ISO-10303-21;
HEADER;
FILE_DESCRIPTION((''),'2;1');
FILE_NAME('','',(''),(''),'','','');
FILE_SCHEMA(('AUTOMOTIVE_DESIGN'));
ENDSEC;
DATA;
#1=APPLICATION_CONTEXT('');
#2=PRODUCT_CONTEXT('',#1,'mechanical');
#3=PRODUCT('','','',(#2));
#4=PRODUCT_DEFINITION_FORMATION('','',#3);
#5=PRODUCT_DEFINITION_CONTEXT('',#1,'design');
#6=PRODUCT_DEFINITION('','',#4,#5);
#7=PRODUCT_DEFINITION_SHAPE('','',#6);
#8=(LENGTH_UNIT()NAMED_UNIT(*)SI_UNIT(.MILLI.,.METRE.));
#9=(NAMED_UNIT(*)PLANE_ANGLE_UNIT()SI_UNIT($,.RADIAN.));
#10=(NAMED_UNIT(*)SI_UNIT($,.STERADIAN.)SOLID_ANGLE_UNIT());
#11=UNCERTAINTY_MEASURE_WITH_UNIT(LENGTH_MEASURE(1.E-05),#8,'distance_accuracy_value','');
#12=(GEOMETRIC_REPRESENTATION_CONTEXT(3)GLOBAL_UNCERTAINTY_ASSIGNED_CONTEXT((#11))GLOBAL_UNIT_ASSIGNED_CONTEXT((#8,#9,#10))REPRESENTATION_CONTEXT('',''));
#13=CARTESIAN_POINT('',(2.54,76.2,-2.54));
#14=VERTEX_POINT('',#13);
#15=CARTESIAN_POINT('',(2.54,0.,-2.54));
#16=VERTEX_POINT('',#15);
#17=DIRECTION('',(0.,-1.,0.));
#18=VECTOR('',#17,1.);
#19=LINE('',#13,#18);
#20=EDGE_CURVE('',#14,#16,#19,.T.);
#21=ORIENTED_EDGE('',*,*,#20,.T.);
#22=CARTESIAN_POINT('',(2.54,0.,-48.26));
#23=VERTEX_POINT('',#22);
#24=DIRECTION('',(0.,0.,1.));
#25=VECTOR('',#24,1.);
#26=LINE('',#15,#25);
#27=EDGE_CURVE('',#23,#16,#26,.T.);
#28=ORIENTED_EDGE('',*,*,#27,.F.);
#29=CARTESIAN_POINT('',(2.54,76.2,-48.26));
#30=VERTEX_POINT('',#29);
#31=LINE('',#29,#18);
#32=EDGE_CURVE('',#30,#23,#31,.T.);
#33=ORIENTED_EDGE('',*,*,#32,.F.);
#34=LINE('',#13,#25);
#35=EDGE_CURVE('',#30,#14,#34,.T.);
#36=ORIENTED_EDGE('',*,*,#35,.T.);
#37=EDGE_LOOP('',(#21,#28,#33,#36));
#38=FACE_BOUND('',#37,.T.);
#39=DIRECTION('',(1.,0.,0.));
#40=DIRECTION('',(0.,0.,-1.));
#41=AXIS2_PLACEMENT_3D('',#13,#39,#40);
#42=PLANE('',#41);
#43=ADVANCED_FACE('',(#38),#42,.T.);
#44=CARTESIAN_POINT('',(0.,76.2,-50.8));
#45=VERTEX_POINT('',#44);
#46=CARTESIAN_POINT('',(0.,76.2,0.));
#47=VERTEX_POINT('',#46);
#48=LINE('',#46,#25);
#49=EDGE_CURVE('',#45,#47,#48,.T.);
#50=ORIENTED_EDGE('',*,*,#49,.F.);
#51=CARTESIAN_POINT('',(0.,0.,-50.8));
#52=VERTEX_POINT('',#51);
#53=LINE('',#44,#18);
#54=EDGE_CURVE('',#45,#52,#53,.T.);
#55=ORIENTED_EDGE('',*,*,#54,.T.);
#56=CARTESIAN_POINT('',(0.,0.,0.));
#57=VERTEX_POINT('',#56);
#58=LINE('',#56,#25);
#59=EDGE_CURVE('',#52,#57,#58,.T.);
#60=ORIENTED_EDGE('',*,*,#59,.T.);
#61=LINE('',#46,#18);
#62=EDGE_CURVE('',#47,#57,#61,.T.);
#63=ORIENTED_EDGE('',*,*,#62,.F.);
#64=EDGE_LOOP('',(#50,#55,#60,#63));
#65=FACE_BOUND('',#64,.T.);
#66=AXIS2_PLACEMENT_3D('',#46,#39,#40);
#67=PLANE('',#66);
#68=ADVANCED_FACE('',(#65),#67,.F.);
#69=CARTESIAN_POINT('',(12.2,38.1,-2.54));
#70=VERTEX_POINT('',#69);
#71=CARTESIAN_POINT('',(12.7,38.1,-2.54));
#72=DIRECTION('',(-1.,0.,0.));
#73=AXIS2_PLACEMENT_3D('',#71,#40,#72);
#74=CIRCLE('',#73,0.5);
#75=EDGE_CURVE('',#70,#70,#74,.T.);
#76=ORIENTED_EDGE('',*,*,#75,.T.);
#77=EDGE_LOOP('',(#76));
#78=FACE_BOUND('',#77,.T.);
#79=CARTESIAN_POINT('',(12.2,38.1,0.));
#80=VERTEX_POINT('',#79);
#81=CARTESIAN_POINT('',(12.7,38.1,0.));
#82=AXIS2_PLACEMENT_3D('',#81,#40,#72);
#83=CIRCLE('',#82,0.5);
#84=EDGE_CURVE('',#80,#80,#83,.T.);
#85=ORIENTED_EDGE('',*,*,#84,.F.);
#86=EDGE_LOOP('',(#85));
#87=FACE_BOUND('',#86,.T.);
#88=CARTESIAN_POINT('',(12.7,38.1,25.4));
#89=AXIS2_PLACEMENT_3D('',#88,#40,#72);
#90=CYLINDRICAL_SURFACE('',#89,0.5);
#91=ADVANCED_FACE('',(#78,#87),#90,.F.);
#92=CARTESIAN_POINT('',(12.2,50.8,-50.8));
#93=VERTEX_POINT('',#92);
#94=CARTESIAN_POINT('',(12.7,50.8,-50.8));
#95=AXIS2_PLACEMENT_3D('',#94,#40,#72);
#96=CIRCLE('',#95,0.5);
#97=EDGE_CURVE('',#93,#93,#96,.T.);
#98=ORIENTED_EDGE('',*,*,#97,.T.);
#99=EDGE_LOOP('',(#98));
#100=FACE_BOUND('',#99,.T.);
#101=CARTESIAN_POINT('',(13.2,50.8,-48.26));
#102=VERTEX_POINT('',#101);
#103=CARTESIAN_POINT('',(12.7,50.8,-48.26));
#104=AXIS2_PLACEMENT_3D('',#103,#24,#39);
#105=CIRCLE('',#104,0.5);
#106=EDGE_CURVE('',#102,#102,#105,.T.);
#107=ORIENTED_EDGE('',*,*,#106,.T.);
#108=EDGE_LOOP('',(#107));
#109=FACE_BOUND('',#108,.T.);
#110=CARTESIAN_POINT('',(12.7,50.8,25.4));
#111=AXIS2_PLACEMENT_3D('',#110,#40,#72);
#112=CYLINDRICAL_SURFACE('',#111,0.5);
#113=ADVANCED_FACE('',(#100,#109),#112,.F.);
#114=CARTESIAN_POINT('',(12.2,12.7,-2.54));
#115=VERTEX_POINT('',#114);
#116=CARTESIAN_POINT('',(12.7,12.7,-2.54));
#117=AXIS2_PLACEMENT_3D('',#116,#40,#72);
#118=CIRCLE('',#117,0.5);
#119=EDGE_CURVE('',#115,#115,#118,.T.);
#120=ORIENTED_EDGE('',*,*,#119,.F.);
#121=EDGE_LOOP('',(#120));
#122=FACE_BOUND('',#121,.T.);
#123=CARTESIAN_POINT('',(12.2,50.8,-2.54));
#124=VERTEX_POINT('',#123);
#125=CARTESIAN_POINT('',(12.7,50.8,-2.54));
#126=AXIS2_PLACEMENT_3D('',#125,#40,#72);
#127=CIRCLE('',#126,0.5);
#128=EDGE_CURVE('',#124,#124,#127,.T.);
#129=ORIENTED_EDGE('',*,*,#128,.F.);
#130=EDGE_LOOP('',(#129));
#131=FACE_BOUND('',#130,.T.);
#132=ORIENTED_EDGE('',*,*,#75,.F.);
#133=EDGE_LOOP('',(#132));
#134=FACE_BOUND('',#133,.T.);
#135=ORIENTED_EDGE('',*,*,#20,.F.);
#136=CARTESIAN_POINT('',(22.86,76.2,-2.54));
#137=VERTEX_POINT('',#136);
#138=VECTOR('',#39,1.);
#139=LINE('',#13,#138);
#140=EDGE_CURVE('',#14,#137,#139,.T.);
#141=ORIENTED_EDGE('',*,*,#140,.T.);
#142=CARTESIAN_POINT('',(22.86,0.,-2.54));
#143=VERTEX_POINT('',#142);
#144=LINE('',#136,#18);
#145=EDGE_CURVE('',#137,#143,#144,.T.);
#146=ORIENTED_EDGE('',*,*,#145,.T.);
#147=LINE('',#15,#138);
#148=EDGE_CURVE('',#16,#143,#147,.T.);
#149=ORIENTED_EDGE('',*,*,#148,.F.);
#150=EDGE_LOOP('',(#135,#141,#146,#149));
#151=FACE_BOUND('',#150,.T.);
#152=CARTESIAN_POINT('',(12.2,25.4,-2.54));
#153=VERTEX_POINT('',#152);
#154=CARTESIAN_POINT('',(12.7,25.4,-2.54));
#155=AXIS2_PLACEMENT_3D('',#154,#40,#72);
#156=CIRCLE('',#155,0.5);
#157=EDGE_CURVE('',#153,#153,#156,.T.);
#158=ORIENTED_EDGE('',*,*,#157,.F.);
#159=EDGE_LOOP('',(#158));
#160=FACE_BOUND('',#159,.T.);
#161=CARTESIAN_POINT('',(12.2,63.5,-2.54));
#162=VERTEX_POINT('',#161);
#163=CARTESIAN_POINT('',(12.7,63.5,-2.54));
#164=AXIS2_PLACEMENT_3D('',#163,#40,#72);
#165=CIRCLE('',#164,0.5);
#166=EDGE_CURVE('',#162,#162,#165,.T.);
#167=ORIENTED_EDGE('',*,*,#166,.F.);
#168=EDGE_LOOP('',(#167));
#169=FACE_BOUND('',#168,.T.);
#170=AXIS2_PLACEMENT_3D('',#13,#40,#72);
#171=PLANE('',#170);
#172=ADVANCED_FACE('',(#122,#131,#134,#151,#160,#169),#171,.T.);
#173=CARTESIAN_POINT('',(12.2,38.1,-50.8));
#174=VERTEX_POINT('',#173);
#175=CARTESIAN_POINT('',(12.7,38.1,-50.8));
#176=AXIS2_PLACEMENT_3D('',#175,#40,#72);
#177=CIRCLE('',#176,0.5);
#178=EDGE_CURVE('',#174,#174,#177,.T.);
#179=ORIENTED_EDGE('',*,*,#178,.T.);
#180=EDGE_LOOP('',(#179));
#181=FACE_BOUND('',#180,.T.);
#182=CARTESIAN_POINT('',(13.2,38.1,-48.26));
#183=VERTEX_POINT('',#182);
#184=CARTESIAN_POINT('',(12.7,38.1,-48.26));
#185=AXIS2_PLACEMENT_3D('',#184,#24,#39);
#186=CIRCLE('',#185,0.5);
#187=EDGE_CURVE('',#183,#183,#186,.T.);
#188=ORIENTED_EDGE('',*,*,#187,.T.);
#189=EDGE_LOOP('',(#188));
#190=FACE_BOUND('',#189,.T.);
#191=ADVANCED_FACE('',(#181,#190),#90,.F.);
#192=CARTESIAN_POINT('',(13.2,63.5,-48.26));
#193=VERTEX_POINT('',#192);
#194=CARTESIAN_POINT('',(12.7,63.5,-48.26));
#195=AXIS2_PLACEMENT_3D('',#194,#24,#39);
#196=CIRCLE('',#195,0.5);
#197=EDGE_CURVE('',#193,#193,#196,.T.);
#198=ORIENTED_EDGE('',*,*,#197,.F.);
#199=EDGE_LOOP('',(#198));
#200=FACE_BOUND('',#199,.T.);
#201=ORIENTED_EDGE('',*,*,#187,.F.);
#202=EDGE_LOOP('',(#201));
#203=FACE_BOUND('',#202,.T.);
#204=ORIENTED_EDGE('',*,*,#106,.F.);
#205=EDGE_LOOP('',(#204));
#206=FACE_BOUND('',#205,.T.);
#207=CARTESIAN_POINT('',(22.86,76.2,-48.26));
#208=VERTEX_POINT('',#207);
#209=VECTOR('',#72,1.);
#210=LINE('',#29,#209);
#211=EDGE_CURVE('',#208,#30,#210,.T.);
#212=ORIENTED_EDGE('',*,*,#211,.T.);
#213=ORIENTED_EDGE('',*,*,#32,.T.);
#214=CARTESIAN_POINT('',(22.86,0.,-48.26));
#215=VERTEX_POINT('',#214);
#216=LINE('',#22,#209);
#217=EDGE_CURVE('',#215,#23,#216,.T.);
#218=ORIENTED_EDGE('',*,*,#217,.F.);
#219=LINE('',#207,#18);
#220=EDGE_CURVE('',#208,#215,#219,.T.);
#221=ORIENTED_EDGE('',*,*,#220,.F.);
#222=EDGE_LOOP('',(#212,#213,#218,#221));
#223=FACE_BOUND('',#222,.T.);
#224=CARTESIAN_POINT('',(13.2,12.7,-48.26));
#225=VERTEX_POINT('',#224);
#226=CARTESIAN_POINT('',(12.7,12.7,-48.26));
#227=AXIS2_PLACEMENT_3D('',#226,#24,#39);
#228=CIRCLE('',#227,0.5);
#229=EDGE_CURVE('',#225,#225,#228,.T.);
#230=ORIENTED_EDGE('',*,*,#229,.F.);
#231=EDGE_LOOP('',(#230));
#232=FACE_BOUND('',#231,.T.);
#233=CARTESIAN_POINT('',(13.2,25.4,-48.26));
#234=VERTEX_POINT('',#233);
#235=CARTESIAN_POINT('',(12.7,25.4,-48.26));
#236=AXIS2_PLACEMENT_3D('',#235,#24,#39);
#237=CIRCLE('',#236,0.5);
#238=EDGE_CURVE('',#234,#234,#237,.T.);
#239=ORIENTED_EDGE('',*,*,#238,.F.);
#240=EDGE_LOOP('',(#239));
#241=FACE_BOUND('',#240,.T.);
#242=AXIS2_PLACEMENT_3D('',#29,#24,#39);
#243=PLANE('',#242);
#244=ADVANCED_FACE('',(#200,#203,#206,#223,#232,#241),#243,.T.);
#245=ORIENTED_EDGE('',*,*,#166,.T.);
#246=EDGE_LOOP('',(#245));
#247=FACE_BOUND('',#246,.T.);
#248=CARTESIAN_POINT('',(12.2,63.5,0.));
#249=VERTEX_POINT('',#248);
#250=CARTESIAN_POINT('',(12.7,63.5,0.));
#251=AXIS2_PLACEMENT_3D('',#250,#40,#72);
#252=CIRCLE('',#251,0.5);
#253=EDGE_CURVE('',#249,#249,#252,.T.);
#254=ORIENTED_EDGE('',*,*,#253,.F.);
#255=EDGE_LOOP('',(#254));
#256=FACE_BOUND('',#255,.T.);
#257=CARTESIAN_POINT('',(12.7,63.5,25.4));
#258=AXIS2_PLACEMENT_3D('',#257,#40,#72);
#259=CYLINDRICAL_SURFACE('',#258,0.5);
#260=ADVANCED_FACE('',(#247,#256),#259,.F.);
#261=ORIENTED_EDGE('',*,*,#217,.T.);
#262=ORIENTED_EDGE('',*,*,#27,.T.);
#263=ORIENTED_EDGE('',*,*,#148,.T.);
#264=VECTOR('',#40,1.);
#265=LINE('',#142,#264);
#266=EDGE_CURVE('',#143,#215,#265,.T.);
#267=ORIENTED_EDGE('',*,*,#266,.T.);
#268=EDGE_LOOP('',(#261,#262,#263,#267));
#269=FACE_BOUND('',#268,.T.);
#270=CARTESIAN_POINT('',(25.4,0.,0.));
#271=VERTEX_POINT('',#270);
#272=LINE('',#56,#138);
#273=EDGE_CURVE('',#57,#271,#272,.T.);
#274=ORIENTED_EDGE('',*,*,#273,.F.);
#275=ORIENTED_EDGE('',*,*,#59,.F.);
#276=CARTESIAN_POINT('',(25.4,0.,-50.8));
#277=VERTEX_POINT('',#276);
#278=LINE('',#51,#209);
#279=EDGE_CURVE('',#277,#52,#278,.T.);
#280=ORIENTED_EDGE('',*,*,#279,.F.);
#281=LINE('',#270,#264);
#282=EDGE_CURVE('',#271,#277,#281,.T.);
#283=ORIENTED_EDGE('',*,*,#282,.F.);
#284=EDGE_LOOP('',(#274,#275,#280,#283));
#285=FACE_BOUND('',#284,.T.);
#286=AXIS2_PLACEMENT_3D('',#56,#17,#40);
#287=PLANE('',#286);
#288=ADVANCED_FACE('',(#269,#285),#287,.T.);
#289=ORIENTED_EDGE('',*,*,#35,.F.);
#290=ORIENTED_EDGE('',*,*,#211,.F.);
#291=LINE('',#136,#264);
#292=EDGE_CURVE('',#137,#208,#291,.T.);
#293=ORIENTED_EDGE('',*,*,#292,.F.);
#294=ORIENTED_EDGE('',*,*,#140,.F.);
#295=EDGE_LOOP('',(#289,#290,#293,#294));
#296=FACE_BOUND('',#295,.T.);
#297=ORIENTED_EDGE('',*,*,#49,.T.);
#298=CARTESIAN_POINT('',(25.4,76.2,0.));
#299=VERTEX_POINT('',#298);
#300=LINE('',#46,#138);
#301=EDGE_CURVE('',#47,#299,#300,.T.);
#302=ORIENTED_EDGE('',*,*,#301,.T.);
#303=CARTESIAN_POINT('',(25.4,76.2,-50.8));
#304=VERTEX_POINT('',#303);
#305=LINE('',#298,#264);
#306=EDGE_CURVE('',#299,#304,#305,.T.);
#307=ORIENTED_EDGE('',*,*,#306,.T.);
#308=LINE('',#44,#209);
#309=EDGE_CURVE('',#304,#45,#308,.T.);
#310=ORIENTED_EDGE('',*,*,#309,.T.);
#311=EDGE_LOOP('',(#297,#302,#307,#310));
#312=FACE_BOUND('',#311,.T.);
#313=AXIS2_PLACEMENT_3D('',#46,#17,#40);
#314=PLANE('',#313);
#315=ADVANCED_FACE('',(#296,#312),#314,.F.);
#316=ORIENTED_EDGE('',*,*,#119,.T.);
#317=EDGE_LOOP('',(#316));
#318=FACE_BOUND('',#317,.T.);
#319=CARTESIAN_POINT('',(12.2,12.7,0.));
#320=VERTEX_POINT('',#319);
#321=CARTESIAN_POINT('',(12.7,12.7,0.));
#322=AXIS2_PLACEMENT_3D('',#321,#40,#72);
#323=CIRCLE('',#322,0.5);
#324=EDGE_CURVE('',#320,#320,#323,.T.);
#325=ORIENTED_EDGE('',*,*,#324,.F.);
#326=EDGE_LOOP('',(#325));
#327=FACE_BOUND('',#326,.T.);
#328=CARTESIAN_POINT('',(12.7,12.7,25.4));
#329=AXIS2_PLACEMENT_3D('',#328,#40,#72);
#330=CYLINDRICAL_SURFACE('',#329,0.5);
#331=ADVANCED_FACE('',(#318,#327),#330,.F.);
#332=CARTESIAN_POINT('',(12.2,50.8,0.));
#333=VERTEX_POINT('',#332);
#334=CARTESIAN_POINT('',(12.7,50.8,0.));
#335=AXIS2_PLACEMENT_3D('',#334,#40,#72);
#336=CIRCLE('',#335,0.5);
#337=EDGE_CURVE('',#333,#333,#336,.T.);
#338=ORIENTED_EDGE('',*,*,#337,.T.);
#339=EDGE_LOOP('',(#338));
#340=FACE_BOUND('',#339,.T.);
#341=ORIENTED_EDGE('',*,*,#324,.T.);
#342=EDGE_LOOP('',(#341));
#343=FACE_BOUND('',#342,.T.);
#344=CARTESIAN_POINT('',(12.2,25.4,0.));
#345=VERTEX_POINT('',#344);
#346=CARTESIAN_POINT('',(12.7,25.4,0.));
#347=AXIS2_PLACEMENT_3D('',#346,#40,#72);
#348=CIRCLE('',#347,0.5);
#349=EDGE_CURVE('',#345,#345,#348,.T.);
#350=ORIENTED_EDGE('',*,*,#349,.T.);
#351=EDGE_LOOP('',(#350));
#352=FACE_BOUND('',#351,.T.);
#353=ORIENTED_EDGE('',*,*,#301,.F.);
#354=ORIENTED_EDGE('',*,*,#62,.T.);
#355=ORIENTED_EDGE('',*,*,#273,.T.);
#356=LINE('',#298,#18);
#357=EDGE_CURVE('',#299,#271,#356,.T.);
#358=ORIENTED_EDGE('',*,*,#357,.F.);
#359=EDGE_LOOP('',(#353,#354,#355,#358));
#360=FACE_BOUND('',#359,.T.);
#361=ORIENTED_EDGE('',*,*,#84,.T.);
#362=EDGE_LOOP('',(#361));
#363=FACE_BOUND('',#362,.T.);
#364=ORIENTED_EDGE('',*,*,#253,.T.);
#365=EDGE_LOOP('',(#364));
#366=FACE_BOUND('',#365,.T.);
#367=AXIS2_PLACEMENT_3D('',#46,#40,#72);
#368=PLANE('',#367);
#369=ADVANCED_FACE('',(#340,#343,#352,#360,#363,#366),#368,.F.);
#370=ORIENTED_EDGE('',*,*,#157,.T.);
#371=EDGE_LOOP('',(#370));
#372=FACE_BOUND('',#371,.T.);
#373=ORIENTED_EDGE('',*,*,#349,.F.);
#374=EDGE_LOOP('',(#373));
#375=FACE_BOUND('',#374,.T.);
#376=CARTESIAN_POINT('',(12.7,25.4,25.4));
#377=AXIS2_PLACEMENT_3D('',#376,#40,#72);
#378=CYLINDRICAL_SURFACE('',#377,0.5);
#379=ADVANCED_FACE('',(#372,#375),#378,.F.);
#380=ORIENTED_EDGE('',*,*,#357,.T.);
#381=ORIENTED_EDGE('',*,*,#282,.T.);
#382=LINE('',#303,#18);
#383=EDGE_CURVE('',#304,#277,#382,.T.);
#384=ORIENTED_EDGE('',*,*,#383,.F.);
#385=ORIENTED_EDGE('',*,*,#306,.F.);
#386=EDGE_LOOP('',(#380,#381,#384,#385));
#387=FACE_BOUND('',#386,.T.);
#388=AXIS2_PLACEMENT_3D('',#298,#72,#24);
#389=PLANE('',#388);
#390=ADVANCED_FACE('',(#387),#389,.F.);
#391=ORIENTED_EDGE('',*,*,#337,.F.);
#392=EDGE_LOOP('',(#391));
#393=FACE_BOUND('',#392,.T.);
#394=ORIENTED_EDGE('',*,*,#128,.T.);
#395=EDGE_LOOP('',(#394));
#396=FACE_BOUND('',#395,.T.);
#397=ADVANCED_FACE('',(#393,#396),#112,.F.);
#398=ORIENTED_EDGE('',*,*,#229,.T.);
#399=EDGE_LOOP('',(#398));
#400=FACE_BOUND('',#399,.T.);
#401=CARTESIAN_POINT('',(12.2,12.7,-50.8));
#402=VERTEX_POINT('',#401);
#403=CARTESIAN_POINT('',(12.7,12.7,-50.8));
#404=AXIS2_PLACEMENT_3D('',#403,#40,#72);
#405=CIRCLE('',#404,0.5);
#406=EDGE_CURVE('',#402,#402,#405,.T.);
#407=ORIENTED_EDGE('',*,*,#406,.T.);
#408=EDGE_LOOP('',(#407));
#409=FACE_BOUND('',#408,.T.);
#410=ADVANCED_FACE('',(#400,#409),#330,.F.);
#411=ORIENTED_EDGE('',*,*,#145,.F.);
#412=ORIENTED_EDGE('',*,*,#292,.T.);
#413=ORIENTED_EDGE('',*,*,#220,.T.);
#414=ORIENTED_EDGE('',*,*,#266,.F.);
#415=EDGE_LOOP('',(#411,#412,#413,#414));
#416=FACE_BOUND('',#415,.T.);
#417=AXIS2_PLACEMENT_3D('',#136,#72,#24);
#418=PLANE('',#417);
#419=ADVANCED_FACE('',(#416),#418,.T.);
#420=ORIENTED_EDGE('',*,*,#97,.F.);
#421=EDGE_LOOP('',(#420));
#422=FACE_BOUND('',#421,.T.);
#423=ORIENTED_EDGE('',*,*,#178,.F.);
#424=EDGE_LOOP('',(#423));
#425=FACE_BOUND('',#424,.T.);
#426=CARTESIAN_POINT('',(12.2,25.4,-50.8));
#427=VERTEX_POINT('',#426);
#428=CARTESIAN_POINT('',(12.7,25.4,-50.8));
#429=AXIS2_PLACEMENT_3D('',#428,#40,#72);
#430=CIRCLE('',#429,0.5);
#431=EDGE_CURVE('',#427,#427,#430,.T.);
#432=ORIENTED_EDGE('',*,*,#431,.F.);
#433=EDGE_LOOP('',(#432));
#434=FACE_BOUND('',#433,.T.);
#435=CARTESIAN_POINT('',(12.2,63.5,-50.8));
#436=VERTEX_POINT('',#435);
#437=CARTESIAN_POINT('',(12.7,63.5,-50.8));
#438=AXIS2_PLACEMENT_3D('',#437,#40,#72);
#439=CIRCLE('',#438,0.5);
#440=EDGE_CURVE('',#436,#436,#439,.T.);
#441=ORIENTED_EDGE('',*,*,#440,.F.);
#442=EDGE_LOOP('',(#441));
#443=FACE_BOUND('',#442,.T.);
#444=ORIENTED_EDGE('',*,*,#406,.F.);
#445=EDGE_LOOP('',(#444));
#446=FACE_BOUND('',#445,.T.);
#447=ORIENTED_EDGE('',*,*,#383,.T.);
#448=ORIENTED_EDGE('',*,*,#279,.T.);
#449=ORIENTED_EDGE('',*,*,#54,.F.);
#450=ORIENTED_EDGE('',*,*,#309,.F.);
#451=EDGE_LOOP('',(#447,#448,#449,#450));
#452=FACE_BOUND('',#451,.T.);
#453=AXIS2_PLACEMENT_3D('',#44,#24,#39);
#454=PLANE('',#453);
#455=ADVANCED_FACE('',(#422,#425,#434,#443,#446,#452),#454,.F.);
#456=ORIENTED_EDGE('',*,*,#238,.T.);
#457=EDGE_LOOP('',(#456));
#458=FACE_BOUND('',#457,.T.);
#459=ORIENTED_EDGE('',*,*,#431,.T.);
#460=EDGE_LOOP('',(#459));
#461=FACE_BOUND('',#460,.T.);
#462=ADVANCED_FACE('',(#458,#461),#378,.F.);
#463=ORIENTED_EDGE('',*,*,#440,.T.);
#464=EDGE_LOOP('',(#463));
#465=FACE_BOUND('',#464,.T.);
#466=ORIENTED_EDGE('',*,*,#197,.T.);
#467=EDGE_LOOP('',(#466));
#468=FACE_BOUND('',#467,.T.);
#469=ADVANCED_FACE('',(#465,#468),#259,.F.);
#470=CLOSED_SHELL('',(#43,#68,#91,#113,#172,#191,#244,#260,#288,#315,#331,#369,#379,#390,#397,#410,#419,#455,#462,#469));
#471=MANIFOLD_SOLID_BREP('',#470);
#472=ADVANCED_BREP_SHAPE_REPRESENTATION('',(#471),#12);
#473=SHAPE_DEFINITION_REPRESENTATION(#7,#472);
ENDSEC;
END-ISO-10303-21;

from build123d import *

# Parameters (mm, degrees)
SKETCH1_W           = 25.4
SKETCH1_H           = 50.8
SKETCH1_W_2         = 20.32
SKETCH1_H_2         = 45.72
BOSS_EXTRUDE1_DEPTH = 76.2
SKETCH2_R           = 0.5
CUT_EXTRUDE1_DEPTH  = 76.2


with BuildPart() as part:
    # Sketch1 → Boss-Extrude1 (new body)
    with BuildSketch(Plane(origin=(0, 0, 0), x_dir=(1, 0, 0), z_dir=(0, 1, 0))):
        with Locations((12.7, 25.4)):
            Rectangle(SKETCH1_W, SKETCH1_H)
        with Locations((12.7, 25.4)):
            Rectangle(SKETCH1_W_2, SKETCH1_H_2, mode=Mode.SUBTRACT)
    extrude(amount=BOSS_EXTRUDE1_DEPTH)

    # Sketch2 → Cut-Extrude1 (cut)
    with BuildSketch(Plane(origin=(0, 0, -50.8), x_dir=(-1, 0, 0), z_dir=(0, 0, -1))):
        with Locations((-12.7, 12.7)):
            Circle(SKETCH2_R)
        with Locations((-12.7, 25.4)):
            Circle(SKETCH2_R)
        with Locations((-12.7, 38.1)):
            Circle(SKETCH2_R)
        with Locations((-12.7, 50.8)):
            Circle(SKETCH2_R)
        with Locations((-12.7, 63.5)):
            Circle(SKETCH2_R)
    extrude(amount=-CUT_EXTRUDE1_DEPTH, mode=Mode.SUBTRACT)


solid = part.part
